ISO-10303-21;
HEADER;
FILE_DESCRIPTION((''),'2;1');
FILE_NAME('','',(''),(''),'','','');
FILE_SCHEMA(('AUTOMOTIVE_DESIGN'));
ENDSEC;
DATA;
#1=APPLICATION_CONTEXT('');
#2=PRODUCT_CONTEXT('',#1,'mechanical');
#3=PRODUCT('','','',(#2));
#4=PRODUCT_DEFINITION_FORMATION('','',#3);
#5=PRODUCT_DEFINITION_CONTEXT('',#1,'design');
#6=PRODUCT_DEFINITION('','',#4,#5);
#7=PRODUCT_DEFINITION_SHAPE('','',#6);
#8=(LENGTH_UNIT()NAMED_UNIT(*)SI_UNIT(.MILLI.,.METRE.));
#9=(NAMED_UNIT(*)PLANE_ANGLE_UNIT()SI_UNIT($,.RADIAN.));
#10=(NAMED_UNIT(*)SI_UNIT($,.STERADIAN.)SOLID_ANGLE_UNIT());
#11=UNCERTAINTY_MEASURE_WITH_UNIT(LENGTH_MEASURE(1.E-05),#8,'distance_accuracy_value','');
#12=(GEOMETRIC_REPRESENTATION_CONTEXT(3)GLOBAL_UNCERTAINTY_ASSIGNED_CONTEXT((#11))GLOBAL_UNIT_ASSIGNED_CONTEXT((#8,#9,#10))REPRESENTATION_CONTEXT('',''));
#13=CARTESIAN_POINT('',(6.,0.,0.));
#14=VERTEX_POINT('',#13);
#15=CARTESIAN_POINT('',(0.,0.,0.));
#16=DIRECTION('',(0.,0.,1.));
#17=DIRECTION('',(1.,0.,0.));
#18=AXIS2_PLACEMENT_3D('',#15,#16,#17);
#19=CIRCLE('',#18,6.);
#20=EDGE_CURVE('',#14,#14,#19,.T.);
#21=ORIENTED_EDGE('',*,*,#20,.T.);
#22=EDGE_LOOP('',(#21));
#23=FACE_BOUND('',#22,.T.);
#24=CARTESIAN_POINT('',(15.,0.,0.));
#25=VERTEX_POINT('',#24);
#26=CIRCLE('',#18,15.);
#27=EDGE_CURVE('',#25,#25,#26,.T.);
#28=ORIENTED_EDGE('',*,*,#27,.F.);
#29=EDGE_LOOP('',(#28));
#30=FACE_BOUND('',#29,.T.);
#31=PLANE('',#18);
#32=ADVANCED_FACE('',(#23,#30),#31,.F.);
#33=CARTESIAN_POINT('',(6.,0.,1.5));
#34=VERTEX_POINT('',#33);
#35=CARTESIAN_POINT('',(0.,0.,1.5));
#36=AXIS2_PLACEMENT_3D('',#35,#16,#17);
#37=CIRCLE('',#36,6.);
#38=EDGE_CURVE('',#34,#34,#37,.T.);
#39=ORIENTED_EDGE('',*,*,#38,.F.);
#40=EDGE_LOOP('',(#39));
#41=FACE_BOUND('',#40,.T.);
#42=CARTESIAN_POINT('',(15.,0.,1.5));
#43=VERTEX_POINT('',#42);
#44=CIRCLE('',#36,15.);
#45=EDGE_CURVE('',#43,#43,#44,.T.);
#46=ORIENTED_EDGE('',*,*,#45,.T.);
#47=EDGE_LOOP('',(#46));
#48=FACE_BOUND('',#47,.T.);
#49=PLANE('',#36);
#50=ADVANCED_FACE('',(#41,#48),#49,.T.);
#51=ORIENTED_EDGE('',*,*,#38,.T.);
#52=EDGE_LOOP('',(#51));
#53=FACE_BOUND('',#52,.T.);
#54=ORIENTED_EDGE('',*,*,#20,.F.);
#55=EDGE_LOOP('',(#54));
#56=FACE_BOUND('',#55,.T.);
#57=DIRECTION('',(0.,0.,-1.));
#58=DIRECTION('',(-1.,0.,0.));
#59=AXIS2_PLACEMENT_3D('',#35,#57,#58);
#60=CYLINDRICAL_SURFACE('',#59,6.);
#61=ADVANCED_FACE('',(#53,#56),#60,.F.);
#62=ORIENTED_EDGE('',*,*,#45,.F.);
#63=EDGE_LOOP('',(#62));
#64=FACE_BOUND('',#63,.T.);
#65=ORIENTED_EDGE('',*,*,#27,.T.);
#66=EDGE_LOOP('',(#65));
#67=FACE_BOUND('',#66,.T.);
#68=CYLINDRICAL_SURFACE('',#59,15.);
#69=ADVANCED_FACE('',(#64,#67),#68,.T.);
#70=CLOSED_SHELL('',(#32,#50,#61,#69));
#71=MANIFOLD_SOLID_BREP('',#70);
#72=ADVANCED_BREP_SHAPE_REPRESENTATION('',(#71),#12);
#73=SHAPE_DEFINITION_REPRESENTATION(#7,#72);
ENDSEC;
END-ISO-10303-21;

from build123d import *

# Parameters (mm, degrees)
SKETCH_1_R      = 15
SKETCH_1_R_2    = 6
EXTRUDE_1_DEPTH = 1.5


with BuildPart() as part:
    # Эскиз1 → Бобышка-Вытянуть1 (new body)
    with BuildSketch(Plane.XY):
        Circle(SKETCH_1_R)
        Circle(SKETCH_1_R_2, mode=Mode.SUBTRACT)
    extrude(amount=EXTRUDE_1_DEPTH)


solid = part.part
